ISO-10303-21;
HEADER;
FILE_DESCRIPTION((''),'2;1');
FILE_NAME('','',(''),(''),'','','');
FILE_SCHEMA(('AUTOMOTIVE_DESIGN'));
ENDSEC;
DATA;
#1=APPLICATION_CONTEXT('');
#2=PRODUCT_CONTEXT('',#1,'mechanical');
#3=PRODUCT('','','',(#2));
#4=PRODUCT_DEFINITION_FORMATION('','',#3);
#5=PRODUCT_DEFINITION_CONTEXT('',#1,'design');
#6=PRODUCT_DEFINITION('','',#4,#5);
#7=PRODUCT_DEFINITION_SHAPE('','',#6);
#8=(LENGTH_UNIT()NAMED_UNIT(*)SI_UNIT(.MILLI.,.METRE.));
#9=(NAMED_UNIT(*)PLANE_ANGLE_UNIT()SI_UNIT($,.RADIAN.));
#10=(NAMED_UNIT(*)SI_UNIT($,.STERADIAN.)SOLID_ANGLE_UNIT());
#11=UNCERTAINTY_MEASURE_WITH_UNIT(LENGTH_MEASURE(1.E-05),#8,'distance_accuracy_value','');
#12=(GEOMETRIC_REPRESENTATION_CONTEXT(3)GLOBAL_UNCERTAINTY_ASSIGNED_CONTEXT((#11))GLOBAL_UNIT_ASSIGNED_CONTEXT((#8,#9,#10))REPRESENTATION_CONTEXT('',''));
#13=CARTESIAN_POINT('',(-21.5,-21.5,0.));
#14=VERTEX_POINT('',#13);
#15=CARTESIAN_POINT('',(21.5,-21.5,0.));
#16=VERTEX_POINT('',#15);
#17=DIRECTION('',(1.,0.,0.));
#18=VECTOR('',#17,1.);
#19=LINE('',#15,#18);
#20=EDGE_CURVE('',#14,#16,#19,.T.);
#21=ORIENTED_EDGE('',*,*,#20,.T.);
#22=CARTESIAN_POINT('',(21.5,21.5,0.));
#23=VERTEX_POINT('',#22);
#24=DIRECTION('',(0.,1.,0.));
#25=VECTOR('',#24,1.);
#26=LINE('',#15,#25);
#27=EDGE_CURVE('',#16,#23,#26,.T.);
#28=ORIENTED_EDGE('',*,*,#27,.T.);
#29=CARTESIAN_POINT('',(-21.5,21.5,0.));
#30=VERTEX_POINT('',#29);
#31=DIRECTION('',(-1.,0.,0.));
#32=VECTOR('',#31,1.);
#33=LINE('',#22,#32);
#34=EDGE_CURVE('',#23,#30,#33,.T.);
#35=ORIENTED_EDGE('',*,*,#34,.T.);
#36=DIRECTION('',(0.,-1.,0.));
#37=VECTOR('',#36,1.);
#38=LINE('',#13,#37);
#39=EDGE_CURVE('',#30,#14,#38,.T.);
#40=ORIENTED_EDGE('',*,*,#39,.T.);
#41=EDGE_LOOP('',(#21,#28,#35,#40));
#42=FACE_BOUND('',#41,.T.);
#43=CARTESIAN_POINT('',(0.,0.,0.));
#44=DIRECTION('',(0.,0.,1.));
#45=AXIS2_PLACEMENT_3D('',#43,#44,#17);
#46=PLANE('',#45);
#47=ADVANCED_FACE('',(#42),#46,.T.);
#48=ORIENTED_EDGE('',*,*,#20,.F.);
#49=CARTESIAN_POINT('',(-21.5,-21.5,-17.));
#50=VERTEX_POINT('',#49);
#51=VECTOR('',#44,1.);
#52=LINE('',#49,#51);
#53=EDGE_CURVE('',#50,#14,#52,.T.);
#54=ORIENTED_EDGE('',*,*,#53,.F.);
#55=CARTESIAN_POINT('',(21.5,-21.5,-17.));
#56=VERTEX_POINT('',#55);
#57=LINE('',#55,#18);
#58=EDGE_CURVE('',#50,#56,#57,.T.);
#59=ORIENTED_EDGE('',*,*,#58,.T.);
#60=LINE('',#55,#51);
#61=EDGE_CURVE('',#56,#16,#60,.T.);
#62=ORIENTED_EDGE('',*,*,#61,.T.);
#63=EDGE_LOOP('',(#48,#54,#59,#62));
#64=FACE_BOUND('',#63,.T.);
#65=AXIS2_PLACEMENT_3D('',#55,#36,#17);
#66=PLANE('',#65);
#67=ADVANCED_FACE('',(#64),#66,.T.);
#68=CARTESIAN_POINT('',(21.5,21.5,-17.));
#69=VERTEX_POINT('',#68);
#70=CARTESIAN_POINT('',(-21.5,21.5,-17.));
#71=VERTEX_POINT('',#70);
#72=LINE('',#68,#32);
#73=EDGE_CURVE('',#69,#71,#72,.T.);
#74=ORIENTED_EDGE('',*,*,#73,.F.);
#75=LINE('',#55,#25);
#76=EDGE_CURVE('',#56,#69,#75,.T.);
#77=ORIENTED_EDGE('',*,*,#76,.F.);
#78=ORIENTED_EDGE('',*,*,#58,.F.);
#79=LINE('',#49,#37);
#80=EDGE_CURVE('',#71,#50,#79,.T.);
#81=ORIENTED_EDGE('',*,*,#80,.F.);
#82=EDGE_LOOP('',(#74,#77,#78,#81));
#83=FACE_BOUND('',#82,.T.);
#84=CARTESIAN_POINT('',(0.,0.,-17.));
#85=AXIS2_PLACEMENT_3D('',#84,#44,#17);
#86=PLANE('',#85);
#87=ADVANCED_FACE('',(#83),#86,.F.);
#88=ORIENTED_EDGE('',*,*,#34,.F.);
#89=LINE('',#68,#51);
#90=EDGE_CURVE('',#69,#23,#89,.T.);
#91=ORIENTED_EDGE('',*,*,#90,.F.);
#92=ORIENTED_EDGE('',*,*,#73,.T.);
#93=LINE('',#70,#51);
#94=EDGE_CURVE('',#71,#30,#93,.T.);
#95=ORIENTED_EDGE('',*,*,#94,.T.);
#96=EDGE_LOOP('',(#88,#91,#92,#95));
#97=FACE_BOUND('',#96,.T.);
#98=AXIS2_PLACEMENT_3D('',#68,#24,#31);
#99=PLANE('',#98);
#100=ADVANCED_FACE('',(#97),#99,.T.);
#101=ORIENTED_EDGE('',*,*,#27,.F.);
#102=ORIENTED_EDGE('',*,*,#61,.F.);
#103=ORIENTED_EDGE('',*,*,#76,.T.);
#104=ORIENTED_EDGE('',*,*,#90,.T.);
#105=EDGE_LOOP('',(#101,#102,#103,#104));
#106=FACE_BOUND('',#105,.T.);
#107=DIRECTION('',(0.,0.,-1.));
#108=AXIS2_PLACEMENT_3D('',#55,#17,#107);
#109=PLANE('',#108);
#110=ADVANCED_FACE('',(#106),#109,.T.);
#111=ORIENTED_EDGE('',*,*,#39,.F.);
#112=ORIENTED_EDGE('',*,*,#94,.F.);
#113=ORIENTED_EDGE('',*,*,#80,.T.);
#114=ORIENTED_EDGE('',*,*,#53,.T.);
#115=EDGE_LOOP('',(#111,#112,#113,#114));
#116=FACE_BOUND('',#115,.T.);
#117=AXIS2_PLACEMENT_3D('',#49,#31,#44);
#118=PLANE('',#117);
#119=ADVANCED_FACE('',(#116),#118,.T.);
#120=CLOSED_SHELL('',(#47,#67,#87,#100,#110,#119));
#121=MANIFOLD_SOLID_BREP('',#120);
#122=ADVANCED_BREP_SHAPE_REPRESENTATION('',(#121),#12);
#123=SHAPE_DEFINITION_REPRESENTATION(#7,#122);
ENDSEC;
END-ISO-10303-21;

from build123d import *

# Parameters (mm, degrees)
ESBO_O1_W                = 43
ESBO_O1_H                = 43
RESSALTO_EXTRUS_O1_DEPTH = 17


with BuildPart() as part:
    # Esboço1 → Ressalto-extrusão1 (new body)
    with BuildSketch(Plane.XY):
        Rectangle(ESBO_O1_W, ESBO_O1_H)
    extrude(amount=-RESSALTO_EXTRUS_O1_DEPTH)


solid = part.part
